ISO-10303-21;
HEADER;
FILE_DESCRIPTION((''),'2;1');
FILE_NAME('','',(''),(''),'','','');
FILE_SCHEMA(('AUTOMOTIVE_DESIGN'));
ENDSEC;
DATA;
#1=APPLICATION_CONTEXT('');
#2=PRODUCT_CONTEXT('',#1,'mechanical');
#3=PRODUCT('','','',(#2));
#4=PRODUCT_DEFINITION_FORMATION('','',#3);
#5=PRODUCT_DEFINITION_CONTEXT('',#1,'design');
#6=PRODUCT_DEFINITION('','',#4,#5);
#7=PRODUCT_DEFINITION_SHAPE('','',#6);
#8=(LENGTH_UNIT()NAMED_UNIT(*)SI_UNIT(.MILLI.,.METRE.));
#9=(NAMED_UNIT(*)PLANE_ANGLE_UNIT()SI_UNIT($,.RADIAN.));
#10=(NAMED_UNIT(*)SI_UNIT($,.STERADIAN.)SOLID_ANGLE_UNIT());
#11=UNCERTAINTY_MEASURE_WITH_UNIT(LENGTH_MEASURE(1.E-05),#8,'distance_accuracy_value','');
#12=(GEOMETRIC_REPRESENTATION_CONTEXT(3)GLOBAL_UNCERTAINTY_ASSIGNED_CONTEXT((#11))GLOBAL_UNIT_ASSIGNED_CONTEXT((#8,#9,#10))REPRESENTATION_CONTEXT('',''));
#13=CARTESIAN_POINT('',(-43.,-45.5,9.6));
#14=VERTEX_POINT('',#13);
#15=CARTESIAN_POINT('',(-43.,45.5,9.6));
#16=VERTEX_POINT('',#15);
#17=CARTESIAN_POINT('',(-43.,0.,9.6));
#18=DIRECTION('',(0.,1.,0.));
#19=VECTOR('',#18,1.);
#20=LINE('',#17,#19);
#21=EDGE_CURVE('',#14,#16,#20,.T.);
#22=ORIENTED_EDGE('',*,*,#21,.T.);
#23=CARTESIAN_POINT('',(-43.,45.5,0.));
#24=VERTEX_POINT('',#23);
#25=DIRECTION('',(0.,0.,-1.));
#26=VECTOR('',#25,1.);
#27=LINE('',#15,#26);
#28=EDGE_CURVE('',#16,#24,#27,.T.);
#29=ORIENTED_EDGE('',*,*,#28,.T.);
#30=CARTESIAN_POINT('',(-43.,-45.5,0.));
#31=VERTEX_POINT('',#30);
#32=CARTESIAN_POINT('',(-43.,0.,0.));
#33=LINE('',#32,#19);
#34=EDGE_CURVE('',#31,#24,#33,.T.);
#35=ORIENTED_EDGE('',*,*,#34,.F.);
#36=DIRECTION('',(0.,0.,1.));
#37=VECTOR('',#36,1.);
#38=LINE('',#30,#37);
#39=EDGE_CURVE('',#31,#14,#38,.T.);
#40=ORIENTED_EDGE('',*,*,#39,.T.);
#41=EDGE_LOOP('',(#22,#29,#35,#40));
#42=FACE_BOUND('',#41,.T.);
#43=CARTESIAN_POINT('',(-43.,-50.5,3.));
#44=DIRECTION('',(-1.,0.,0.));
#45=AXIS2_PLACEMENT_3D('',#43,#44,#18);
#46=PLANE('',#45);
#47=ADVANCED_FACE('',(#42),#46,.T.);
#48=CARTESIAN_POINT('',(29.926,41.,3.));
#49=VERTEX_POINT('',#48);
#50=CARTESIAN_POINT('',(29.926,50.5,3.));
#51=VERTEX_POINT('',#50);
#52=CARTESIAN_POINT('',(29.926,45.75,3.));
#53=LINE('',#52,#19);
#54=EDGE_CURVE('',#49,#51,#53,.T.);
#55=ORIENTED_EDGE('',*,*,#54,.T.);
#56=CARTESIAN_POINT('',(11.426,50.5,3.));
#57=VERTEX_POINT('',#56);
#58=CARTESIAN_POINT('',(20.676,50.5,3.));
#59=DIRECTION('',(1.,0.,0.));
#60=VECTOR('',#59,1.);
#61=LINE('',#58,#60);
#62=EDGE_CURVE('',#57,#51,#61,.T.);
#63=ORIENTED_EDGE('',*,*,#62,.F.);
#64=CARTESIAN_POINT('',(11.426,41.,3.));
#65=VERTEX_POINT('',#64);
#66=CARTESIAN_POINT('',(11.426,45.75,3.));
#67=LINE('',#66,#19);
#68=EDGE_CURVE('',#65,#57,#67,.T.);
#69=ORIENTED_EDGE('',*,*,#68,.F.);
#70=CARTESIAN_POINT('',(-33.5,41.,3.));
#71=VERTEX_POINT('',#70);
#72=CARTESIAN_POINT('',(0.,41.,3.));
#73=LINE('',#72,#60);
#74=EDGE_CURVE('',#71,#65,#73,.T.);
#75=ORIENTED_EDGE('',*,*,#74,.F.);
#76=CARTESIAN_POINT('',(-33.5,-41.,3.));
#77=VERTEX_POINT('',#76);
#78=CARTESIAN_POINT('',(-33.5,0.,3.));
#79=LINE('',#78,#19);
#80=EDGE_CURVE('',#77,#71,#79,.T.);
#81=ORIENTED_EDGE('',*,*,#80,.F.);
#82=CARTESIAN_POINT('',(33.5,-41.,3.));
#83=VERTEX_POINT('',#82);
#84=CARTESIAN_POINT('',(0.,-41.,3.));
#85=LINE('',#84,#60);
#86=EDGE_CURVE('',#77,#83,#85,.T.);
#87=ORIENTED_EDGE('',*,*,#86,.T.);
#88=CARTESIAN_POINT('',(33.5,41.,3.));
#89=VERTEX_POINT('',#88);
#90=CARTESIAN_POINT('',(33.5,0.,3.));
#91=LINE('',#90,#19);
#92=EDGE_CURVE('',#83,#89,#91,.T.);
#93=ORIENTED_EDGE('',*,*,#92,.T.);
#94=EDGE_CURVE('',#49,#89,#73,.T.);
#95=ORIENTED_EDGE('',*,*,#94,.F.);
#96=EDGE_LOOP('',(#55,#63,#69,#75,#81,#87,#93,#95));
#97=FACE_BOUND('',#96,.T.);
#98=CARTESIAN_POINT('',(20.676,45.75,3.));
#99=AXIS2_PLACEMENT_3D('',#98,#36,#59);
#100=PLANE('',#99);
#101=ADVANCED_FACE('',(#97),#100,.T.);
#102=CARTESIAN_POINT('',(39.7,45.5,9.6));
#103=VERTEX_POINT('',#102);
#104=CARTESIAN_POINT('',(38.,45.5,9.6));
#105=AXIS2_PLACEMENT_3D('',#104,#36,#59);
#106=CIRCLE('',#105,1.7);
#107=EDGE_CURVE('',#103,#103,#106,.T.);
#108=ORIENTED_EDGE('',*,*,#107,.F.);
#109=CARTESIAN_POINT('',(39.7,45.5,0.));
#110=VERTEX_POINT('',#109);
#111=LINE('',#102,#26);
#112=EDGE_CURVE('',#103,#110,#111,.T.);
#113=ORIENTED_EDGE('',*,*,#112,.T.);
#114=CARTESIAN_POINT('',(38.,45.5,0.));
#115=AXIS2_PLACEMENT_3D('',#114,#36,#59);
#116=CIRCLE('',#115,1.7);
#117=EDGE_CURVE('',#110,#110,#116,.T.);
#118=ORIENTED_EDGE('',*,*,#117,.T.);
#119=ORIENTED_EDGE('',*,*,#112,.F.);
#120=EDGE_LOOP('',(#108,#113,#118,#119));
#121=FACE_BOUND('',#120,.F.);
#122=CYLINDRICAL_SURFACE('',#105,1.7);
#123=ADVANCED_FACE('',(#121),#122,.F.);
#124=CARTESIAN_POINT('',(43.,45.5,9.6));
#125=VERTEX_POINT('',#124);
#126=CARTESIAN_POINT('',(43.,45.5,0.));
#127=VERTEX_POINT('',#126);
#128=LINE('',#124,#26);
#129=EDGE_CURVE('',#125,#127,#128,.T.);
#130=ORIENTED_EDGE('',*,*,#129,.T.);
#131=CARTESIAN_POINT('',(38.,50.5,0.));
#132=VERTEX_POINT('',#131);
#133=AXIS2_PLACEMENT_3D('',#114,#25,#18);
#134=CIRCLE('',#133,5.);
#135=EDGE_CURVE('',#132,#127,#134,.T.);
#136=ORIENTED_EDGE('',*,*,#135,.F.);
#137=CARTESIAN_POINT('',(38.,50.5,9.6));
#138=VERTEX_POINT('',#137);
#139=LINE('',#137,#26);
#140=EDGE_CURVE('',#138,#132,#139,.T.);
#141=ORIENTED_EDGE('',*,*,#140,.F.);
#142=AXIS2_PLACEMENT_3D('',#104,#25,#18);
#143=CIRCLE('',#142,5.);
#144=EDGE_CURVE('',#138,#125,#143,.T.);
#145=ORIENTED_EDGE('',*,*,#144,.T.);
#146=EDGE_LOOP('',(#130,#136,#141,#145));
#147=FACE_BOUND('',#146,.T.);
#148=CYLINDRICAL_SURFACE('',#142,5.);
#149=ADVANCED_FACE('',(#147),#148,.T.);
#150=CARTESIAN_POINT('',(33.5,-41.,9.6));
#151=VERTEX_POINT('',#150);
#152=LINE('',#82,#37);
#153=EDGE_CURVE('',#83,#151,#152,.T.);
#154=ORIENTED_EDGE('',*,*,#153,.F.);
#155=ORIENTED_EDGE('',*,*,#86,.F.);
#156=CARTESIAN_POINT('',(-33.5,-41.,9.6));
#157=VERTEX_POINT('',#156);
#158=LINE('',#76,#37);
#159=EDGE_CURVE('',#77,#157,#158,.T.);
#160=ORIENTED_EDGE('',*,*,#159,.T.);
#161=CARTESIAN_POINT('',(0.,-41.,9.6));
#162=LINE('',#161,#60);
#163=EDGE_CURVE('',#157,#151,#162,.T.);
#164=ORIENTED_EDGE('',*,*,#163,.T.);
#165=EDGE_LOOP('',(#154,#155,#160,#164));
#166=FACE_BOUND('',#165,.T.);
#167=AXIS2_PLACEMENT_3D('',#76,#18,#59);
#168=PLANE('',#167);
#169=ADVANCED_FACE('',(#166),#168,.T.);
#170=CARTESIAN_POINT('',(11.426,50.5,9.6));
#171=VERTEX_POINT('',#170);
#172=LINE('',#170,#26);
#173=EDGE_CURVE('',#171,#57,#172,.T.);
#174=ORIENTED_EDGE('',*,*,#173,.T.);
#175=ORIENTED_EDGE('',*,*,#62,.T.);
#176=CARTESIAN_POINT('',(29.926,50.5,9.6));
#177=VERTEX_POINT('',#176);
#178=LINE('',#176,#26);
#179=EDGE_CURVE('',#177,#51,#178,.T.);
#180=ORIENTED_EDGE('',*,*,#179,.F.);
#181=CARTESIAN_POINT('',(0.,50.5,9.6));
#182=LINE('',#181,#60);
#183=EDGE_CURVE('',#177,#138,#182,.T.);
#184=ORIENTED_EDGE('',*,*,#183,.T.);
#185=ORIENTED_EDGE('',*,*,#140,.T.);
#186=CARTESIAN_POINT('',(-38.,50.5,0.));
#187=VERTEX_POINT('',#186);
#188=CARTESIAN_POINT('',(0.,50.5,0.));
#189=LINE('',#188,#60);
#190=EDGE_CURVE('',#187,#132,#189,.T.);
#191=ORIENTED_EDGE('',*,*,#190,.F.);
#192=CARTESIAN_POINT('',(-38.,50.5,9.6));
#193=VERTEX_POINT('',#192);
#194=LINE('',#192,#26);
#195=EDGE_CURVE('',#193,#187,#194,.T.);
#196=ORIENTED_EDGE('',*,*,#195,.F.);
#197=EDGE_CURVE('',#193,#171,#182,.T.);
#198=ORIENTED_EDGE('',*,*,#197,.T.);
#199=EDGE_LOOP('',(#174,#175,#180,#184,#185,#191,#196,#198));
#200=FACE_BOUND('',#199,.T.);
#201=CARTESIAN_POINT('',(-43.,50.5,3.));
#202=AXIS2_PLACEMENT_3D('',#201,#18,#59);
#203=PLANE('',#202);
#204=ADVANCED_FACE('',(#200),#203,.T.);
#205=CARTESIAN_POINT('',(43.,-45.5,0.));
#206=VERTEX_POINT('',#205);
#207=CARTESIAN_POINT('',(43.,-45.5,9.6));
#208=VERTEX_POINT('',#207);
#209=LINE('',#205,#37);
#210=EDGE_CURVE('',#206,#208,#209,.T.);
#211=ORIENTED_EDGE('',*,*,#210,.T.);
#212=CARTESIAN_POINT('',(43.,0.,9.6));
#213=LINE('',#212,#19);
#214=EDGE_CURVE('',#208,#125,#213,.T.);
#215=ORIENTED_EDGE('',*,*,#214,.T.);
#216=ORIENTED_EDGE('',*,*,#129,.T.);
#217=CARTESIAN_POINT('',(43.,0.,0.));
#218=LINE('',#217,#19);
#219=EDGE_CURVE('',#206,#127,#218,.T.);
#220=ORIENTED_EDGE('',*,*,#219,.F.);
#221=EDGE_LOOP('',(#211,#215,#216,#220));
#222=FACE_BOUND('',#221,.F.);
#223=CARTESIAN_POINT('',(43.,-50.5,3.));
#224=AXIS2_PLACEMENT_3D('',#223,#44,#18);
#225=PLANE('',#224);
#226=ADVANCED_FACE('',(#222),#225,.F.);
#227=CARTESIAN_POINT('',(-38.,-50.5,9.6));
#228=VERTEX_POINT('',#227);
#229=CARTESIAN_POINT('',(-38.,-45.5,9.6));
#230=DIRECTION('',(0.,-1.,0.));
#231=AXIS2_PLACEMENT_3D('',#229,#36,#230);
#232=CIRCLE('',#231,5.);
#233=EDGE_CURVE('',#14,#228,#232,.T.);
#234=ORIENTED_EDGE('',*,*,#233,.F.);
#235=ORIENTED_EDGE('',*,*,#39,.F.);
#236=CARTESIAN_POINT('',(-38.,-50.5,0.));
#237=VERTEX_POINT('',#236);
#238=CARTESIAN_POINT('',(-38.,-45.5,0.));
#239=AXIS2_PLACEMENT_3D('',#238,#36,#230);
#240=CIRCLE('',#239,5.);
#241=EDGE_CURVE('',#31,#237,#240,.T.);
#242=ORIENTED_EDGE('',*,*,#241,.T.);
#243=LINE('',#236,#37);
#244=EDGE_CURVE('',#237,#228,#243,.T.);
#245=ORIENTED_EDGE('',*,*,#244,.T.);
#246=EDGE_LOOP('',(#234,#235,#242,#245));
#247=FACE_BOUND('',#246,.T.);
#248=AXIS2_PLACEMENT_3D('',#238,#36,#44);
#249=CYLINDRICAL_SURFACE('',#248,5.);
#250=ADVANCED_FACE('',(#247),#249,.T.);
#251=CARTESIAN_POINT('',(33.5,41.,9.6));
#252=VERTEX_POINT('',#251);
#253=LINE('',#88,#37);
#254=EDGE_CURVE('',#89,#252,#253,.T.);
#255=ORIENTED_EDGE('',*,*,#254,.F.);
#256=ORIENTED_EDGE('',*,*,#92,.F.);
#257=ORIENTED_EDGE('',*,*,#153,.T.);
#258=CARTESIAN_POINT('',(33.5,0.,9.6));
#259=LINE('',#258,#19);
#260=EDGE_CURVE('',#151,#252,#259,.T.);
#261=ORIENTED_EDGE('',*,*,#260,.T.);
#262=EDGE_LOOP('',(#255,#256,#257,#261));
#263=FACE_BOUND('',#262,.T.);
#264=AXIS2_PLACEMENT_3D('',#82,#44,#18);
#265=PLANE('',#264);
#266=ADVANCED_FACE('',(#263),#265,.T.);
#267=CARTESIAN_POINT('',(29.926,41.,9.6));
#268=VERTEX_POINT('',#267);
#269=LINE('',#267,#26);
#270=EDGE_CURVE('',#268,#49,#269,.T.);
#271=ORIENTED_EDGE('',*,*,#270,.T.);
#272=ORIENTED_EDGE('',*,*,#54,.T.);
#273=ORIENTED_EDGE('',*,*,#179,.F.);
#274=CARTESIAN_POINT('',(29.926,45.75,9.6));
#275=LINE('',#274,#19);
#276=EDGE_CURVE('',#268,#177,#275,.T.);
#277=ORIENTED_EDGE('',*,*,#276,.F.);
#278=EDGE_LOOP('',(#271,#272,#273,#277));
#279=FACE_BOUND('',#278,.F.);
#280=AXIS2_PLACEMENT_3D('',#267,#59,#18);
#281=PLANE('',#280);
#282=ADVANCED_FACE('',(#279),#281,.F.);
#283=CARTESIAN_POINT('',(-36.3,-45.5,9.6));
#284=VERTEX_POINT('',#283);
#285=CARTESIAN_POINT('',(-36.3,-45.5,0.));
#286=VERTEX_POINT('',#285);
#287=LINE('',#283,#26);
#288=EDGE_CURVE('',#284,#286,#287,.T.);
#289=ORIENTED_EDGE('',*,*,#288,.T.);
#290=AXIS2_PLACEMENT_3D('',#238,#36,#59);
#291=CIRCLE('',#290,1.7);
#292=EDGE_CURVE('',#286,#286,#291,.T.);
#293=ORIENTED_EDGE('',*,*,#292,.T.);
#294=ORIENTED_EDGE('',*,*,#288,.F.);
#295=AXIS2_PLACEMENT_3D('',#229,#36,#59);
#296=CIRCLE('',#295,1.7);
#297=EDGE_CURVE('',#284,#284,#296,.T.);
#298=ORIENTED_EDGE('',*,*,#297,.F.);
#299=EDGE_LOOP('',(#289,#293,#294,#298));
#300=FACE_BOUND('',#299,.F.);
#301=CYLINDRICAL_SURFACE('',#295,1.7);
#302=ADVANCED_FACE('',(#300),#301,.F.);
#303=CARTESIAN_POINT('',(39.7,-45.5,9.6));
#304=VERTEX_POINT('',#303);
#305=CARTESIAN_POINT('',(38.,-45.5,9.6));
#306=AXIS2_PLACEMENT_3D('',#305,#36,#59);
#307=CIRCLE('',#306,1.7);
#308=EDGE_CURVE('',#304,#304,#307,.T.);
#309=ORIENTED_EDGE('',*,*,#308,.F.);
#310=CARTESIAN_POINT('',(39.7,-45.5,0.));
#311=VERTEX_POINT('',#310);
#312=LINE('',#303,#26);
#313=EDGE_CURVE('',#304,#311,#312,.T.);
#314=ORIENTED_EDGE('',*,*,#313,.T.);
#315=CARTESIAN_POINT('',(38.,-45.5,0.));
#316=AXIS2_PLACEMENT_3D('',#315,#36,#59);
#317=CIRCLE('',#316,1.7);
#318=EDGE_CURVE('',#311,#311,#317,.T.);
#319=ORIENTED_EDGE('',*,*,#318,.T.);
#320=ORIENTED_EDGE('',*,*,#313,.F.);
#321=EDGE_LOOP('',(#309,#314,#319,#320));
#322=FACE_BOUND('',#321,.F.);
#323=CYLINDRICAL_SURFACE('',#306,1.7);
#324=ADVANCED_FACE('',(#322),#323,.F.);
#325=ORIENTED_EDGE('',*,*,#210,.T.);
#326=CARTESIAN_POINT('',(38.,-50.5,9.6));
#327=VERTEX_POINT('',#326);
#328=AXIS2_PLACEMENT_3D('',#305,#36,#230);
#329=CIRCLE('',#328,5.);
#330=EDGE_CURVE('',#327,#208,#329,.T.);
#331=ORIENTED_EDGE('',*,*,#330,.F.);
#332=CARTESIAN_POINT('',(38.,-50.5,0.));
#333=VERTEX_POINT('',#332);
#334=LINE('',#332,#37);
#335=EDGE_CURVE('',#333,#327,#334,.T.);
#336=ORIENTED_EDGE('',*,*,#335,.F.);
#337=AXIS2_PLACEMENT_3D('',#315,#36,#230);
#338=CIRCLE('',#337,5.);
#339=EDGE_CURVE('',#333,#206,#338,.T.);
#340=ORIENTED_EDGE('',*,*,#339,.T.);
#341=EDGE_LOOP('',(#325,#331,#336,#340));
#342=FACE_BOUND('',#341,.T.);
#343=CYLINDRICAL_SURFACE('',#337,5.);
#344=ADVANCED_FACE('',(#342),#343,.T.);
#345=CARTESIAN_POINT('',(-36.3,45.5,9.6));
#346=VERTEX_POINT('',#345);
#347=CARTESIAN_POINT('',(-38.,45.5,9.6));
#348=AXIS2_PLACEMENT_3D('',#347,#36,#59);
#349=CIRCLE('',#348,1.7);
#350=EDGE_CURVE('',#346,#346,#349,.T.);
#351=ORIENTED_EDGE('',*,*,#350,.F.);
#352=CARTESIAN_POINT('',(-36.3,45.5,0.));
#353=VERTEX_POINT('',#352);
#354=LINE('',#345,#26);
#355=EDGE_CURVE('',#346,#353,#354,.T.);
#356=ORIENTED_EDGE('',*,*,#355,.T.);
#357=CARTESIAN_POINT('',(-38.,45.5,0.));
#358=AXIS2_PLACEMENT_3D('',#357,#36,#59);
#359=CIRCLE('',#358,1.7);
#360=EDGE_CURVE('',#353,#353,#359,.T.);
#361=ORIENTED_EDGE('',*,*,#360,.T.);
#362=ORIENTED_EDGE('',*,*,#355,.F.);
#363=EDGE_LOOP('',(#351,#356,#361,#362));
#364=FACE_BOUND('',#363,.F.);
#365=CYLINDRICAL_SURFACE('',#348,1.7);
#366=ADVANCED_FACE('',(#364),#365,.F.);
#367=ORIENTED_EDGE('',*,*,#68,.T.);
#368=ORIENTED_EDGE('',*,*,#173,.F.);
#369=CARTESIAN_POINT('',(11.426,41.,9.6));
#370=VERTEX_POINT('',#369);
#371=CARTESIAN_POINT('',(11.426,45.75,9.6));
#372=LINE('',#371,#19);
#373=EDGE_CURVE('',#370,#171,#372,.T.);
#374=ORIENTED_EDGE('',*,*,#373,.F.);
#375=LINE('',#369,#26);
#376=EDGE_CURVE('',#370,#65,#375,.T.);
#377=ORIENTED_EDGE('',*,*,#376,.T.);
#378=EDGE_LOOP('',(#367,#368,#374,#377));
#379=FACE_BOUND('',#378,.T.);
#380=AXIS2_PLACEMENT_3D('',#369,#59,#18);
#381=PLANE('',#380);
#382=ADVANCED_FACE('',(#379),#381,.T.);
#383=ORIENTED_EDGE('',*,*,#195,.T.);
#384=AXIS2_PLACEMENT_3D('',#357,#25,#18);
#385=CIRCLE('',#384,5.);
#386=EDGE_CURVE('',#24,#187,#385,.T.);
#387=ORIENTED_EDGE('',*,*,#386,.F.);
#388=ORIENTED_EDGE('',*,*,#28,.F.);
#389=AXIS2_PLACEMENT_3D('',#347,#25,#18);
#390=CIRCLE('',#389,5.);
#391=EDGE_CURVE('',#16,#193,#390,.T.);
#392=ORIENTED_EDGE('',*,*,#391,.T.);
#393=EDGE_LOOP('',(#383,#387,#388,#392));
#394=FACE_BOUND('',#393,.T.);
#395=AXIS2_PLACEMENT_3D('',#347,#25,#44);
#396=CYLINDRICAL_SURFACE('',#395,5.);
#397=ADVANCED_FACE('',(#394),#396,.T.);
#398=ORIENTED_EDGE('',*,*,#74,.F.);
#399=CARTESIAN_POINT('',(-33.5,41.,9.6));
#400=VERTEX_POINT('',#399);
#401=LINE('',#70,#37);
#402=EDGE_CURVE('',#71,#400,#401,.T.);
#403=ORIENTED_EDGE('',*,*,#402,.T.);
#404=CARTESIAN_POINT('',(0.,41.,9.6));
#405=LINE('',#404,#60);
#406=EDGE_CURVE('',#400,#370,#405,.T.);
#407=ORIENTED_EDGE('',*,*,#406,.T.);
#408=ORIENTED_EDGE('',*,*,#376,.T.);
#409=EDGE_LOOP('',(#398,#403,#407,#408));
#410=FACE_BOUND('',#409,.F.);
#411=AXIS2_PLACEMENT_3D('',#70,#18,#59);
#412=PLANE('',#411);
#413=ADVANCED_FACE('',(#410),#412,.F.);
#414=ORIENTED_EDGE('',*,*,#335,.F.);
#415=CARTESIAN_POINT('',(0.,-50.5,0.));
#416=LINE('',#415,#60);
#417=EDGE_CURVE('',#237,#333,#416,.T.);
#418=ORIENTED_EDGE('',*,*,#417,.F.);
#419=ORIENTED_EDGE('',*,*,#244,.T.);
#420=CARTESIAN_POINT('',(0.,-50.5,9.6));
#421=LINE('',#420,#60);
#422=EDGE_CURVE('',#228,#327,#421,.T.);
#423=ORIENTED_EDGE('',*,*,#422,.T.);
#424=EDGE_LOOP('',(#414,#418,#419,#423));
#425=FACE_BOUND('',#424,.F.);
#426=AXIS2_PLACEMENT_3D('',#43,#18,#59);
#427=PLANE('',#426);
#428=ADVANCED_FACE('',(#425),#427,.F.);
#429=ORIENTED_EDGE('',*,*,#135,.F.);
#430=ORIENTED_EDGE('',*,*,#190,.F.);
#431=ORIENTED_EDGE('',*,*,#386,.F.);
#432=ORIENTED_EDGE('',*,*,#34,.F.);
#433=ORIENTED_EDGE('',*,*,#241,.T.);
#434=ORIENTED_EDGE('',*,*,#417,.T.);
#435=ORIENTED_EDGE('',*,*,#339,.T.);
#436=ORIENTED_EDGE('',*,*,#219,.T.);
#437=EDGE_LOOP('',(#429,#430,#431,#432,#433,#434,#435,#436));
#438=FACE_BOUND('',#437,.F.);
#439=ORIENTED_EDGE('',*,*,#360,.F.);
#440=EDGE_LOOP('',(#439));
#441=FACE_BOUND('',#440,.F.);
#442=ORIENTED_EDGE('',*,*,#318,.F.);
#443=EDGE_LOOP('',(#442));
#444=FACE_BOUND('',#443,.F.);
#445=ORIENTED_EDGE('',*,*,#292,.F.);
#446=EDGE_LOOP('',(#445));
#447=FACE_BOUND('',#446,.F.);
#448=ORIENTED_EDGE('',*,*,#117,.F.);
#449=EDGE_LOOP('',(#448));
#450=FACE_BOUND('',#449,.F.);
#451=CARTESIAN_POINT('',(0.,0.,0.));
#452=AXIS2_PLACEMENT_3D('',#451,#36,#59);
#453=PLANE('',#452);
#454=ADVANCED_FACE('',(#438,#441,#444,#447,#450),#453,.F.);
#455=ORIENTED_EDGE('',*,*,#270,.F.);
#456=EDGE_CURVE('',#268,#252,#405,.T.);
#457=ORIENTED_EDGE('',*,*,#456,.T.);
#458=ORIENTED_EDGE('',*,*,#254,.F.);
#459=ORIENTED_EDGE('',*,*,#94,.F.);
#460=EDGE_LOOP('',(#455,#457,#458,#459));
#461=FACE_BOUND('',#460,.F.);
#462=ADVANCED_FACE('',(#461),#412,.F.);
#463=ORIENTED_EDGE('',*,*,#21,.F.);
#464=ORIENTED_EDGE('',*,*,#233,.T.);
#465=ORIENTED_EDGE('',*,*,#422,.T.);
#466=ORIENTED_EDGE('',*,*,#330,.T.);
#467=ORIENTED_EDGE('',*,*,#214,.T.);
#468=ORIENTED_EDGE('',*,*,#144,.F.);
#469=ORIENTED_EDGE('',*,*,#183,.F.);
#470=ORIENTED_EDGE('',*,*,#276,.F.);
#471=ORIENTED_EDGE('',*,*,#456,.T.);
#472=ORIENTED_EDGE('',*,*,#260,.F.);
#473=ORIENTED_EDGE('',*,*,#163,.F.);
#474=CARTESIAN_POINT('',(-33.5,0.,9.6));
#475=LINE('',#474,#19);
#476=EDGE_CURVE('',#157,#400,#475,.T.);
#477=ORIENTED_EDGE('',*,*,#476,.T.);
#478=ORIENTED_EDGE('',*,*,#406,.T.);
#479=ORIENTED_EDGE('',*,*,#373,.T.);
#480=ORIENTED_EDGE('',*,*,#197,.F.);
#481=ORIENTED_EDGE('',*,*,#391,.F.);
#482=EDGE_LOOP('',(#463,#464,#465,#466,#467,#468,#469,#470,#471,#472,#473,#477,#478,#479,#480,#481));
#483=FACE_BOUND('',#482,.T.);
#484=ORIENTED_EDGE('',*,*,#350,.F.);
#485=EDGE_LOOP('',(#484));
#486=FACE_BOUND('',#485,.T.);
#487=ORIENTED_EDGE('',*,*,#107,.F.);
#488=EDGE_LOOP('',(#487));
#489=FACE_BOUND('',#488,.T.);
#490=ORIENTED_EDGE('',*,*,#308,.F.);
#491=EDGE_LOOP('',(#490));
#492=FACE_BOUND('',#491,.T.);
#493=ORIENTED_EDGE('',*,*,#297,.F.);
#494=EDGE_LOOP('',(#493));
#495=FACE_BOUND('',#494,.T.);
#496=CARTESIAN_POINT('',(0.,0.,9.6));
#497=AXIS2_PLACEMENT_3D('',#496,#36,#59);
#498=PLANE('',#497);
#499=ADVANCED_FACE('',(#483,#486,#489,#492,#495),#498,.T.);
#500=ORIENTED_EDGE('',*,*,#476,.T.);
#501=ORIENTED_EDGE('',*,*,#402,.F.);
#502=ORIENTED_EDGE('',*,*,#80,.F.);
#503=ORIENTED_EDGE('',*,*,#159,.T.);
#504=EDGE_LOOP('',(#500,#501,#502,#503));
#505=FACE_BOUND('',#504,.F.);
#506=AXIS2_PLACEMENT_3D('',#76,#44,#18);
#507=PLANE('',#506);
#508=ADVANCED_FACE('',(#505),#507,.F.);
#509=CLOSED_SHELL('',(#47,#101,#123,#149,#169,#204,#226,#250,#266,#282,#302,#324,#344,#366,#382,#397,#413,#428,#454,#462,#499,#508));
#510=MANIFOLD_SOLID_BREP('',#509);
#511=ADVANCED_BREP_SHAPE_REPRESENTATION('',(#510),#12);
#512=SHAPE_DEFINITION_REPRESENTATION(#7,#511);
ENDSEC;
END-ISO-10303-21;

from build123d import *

# Parameters (mm, degrees)
SKETCH_W        = 86
SKETCH_H        = 101
PAD_DEPTH       = 3
SKETCH001_W     = 86
SKETCH001_H     = 101
SKETCH001_W_2   = 67
SKETCH001_H_2   = 82
PAD001_DEPTH    = 6.6
SKETCH002_R     = 1.7
POCKET_DEPTH    = 12
SKETCH003_W     = 18.5
SKETCH003_H     = 9.5
POCKET001_DEPTH = 6.6
FILLET_R        = 5


with BuildPart() as part:
    # Sketch → Pad (new body)
    with BuildSketch(Plane.XY):
        Rectangle(SKETCH_W, SKETCH_H)
    extrude(amount=PAD_DEPTH)

    # Sketch001 (on Face6 of Pad) → Pad001 (join)
    with BuildSketch(Plane.XY.offset(3)):
        Rectangle(SKETCH001_W, SKETCH001_H)
        Rectangle(SKETCH001_W_2, SKETCH001_H_2, mode=Mode.SUBTRACT)
    extrude(amount=PAD001_DEPTH)

    # Sketch002 (on Face3 of Pad001) → Pocket (cut)
    with BuildSketch(Plane.XY.offset(9.6)):
        with Locations((-38, -45.5)):
            Circle(SKETCH002_R)
        with Locations((-38, 45.5)):
            Circle(SKETCH002_R)
        with Locations((38, 45.5)):
            Circle(SKETCH002_R)
        with Locations((38, -45.5)):
            Circle(SKETCH002_R)
    extrude(amount=-POCKET_DEPTH, mode=Mode.SUBTRACT)

    # Sketch003 (on Face10 of Pocket) → Pocket001 (cut)
    with BuildSketch(Plane.XY.offset(9.6)):
        with Locations((20.676, 45.75)):
            Rectangle(SKETCH003_W, SKETCH003_H)
    extrude(amount=-POCKET001_DEPTH, mode=Mode.SUBTRACT)

    # Fillet
    fillet_edges = [part.edges().sort_by_distance(p)[0] for p in [
        (43, -50.5, 4.8),
        (-43, -50.5, 4.8),
        (-43, 50.5, 4.8),
        (43, 50.5, 4.8),
    ]]
    fillet(fillet_edges, radius=FILLET_R)


solid = part.part
